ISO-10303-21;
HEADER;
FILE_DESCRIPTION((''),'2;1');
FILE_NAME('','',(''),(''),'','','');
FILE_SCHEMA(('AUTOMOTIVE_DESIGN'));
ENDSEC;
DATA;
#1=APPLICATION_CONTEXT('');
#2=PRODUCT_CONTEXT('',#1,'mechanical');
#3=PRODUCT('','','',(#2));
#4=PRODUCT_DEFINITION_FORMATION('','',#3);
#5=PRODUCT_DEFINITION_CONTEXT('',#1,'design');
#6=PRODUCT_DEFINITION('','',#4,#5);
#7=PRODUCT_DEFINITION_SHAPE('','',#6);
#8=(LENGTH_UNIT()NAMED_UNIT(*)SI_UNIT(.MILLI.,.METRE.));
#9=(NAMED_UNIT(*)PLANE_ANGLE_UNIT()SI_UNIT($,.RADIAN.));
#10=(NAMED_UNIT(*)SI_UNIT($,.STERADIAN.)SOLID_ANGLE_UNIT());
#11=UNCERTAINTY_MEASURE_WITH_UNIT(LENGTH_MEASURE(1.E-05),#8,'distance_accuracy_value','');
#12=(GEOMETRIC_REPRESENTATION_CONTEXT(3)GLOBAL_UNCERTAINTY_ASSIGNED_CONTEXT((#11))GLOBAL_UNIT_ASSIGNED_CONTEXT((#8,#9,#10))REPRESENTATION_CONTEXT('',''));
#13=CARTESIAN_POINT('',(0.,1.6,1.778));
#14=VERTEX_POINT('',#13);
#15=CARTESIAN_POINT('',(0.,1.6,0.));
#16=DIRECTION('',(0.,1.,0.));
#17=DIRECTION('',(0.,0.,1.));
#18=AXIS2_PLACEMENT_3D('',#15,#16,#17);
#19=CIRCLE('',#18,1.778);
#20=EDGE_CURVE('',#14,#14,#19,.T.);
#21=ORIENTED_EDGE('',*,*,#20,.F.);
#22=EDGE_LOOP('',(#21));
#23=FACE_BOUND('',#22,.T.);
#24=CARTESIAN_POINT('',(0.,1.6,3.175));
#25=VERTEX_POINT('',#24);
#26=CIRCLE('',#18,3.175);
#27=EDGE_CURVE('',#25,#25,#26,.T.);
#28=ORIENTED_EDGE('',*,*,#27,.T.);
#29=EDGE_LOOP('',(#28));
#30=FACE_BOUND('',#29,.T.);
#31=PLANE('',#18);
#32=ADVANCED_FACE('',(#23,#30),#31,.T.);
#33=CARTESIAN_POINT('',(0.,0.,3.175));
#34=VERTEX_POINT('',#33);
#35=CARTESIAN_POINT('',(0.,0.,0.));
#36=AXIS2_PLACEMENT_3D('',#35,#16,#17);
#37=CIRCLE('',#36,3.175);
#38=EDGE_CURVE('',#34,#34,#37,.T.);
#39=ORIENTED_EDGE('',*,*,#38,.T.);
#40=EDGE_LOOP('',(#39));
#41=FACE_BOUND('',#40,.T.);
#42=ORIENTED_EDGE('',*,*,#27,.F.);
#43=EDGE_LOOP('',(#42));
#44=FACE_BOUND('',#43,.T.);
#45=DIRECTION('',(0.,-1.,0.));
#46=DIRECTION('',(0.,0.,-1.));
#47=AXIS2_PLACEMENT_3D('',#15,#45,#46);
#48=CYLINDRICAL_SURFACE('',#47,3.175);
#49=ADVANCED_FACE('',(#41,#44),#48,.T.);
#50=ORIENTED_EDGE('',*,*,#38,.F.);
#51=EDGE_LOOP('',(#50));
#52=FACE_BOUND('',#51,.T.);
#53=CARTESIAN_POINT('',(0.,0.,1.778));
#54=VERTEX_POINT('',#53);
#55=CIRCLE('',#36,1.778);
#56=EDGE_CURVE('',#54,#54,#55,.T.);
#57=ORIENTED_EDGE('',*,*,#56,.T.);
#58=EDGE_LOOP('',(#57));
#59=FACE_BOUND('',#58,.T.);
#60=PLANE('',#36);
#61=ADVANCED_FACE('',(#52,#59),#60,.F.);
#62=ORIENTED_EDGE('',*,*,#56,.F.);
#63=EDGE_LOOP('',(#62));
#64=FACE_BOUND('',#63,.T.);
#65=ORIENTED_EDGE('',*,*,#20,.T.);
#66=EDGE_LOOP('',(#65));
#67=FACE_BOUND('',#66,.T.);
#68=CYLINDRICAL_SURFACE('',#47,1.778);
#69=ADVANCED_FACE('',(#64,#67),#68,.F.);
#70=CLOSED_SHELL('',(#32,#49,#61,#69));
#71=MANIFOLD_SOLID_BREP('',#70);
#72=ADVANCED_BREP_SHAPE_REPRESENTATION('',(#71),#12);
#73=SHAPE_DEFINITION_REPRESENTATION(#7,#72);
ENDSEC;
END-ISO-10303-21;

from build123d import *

# Parameters (mm, degrees)
SKETCH1_R           = 3.175
SKETCH1_R_2         = 1.778
BOSS_EXTRUDE1_DEPTH = 1.6


with BuildPart() as part:
    # Sketch1 → Boss-Extrude1 (new body)
    with BuildSketch(Plane(origin=(0, 0, 0), x_dir=(1, 0, 0), z_dir=(0, 1, 0))):
        with Locations(Location((0, 0, 0), (0, 0, 270))):
            Circle(SKETCH1_R)
        with Locations(Location((0, 0, 0), (0, 0, 270))):
            Circle(SKETCH1_R_2, mode=Mode.SUBTRACT)
    extrude(amount=BOSS_EXTRUDE1_DEPTH)


solid = part.part
